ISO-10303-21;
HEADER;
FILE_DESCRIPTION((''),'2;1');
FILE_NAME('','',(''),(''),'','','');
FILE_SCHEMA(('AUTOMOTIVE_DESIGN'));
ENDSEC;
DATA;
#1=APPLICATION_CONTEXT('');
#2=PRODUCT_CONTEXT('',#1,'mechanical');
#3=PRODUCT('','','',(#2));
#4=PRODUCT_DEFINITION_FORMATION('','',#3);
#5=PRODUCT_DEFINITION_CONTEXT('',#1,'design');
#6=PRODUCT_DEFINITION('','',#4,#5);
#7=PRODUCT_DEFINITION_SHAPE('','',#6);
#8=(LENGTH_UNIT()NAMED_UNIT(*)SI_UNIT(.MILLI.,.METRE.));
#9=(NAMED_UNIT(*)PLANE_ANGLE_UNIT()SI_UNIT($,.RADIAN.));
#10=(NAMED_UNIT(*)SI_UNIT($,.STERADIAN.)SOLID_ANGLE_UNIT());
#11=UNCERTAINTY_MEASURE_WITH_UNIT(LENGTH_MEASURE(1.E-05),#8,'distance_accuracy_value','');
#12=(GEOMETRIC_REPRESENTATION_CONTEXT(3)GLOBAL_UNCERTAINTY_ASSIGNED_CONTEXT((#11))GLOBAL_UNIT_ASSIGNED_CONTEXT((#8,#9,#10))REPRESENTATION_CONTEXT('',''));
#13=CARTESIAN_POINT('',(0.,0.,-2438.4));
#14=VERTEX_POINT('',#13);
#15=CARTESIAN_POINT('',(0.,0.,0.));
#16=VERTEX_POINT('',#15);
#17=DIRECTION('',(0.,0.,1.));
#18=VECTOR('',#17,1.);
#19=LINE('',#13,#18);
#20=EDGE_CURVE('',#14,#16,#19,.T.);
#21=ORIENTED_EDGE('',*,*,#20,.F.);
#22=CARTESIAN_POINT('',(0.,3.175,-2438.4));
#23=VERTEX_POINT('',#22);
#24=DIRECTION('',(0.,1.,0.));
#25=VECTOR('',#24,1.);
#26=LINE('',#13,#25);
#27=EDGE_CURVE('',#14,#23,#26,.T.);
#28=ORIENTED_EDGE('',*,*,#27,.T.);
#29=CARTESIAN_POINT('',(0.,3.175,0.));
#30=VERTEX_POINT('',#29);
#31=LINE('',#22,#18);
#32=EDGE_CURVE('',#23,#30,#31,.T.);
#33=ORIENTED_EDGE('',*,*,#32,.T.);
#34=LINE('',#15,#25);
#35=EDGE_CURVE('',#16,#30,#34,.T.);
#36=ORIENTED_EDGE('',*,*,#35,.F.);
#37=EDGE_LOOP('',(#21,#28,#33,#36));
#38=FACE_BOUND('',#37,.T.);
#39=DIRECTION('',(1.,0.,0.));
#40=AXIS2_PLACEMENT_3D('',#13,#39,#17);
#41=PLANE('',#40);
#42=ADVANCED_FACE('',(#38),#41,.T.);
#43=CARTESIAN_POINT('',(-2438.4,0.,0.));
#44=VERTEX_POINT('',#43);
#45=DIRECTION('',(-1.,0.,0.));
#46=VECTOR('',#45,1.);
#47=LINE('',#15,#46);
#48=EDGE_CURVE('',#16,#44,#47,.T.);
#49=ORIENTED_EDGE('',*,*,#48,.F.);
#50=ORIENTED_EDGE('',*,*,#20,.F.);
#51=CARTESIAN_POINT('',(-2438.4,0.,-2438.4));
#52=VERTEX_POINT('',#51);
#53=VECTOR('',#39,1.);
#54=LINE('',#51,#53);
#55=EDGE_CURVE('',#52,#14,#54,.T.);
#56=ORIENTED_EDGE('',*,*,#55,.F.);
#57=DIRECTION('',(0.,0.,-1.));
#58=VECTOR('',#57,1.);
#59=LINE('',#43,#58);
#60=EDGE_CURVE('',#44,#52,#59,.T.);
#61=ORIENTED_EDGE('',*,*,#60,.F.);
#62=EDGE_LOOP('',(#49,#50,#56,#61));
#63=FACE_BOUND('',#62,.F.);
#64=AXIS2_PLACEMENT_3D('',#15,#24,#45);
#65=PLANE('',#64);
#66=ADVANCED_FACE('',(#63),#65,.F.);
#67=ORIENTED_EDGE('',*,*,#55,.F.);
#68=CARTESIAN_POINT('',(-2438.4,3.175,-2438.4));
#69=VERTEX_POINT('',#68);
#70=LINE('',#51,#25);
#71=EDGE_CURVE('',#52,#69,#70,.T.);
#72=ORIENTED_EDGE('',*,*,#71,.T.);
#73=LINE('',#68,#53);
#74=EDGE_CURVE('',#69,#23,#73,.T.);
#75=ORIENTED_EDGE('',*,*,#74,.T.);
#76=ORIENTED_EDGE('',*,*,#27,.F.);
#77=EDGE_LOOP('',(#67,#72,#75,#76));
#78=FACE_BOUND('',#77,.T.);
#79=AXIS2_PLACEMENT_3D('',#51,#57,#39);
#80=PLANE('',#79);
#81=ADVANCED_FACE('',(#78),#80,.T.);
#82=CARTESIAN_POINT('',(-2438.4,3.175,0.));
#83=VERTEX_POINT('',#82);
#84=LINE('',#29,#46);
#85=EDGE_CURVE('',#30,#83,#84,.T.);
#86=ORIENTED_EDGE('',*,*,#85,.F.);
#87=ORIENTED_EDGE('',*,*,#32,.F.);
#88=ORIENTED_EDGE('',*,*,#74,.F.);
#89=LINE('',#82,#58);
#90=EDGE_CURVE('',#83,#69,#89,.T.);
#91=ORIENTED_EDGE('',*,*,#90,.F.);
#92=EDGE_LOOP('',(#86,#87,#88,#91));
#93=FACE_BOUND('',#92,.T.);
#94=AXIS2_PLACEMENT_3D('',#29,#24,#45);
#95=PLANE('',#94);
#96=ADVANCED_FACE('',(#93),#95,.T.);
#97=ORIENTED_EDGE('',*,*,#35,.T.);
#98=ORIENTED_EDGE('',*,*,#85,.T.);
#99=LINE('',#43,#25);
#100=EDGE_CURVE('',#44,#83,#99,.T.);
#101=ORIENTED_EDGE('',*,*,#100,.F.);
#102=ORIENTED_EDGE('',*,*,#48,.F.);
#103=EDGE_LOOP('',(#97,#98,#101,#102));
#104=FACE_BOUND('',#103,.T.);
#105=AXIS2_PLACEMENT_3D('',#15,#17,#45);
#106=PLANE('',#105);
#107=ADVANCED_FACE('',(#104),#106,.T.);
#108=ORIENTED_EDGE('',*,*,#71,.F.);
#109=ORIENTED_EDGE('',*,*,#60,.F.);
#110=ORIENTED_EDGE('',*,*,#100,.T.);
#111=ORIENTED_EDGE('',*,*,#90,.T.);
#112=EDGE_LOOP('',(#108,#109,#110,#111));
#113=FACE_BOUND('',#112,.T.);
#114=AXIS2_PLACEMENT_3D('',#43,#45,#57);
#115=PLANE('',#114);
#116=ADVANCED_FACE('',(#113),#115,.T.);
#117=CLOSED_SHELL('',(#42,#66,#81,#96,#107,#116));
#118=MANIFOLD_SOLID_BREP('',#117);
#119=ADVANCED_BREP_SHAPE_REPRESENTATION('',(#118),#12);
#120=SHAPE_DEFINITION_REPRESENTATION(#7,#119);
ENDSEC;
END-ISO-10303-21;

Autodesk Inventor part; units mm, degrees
ref_plane "YZ Plane" through (0, 0, 0) normal (1, 0, 0) x (0, 1, 0)
ref_plane "XZ Plane" through (0, 0, 0) normal (0, 1, 0) x (-1, 0, 0)
ref_plane "XY Plane" through (0, 0, 0) normal (0, 0, 1) x (1, 0, 0)
sketch "Sketch1" plane through (0, 0, 0) normal (0, 1, 0) x (-1, 0, 0)
  line L0 (0, 0) -> (2438.4, 0)
  line L1 (2438.4, 0) -> (2438.4, -2438.4)
  line L2 (2438.4, -2438.4) -> (0, -2438.4)
  line L3 (0, -2438.4) -> (0, 0)
  dimension "d0" = 2438.4
  dimension "d1" = 2438.4
extrude "Extrusion1" add sketch "Sketch1" along normal blind 3.175
properties material "Carpet"
